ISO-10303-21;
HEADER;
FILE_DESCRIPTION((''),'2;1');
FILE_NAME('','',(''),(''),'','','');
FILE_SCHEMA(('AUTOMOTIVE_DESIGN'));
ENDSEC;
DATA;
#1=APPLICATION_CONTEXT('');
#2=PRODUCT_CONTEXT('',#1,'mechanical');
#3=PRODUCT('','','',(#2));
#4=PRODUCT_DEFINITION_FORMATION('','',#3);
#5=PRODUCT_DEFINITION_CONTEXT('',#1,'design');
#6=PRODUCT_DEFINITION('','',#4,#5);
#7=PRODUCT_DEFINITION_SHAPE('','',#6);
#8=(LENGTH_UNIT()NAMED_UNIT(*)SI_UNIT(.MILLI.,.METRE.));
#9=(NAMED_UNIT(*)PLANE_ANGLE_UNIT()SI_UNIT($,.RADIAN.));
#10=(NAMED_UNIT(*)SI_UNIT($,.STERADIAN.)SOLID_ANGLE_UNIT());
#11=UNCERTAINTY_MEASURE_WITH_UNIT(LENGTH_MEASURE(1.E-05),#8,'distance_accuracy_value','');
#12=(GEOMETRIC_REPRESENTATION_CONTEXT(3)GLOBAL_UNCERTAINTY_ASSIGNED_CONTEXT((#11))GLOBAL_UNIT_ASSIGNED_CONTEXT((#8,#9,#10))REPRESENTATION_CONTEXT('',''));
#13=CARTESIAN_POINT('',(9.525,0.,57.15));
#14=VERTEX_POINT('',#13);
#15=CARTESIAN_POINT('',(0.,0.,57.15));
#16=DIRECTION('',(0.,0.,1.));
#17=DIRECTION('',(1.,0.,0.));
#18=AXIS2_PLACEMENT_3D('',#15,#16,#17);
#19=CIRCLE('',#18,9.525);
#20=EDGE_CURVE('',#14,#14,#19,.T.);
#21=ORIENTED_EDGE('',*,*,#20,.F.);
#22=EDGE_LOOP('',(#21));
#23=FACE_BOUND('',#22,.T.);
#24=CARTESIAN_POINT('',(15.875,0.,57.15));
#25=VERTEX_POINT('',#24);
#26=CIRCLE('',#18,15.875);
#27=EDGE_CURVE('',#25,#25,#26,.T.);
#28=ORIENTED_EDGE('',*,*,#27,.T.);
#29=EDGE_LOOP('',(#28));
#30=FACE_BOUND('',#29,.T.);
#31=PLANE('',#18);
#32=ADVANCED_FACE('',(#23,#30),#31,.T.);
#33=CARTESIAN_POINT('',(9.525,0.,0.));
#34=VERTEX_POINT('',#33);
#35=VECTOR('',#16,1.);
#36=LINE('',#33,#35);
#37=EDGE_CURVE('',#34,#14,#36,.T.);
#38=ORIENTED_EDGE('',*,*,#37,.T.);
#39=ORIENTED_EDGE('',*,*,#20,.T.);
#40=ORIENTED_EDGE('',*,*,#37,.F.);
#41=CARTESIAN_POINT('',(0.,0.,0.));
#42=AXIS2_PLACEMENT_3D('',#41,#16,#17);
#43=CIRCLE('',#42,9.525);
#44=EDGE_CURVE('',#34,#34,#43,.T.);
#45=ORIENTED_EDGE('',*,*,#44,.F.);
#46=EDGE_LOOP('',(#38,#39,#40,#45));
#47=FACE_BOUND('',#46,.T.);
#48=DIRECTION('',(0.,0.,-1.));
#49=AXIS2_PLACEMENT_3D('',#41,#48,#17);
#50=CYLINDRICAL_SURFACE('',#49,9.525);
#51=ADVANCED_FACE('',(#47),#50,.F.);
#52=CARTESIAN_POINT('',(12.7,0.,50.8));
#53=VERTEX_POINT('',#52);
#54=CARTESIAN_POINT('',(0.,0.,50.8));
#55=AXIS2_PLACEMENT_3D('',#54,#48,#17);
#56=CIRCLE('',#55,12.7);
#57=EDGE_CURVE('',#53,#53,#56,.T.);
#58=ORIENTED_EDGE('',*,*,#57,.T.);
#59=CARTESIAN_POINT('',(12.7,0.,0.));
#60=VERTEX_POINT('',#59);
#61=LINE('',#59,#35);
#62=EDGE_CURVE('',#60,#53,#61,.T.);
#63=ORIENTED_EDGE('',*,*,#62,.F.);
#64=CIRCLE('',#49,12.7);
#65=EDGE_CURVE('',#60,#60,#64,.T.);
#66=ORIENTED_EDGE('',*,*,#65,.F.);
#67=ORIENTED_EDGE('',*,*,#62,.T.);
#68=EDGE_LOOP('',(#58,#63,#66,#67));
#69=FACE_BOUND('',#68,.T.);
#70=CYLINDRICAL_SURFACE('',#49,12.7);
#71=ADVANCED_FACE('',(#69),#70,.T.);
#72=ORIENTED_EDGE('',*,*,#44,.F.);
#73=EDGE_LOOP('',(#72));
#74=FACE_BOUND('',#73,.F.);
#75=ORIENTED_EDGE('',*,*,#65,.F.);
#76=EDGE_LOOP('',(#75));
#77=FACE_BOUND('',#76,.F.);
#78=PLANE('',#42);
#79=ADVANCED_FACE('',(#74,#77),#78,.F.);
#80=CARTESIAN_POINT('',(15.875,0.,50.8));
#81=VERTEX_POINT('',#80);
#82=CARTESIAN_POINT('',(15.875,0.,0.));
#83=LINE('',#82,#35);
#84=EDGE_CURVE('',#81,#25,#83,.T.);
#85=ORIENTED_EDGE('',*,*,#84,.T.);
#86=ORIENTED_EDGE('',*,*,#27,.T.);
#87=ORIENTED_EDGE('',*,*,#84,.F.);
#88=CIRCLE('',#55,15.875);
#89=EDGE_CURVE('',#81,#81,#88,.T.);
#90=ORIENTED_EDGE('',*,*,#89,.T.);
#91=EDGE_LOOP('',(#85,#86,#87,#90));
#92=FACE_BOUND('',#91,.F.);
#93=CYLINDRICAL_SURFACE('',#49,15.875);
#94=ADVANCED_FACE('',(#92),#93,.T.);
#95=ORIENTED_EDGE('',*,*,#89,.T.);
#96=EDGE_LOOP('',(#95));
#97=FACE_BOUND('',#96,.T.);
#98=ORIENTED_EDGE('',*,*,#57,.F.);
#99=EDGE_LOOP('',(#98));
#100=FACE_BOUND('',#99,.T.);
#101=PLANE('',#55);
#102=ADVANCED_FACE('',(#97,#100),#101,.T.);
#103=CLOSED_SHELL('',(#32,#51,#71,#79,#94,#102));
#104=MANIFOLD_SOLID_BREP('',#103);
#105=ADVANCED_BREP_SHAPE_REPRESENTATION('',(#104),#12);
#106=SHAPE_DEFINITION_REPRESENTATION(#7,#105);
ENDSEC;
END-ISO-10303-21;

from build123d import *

# Parameters (mm, degrees)
F0_R     = 15.875
F0_R_2   = 9.525
F1_DEPTH = 57.15
F2_R     = 22.359841
F2_R_2   = 12.7
F3_DEPTH = 50.8


with BuildPart() as f1:
    # F0 (on Top) → F1 (new body)
    with BuildSketch(Plane.XY):
        Circle(F0_R)
        Circle(F0_R_2, mode=Mode.SUBTRACT)
    extrude(amount=F1_DEPTH)

    # F2 (on face) → F3 (cut)
    with BuildSketch(Plane(origin=(0, 0, 0), x_dir=(1, 0, 0), z_dir=(0, 0, -1))):
        Circle(F2_R)
        Circle(F2_R_2, mode=Mode.SUBTRACT)
    extrude(amount=-F3_DEPTH, mode=Mode.SUBTRACT)


solid = f1.part
